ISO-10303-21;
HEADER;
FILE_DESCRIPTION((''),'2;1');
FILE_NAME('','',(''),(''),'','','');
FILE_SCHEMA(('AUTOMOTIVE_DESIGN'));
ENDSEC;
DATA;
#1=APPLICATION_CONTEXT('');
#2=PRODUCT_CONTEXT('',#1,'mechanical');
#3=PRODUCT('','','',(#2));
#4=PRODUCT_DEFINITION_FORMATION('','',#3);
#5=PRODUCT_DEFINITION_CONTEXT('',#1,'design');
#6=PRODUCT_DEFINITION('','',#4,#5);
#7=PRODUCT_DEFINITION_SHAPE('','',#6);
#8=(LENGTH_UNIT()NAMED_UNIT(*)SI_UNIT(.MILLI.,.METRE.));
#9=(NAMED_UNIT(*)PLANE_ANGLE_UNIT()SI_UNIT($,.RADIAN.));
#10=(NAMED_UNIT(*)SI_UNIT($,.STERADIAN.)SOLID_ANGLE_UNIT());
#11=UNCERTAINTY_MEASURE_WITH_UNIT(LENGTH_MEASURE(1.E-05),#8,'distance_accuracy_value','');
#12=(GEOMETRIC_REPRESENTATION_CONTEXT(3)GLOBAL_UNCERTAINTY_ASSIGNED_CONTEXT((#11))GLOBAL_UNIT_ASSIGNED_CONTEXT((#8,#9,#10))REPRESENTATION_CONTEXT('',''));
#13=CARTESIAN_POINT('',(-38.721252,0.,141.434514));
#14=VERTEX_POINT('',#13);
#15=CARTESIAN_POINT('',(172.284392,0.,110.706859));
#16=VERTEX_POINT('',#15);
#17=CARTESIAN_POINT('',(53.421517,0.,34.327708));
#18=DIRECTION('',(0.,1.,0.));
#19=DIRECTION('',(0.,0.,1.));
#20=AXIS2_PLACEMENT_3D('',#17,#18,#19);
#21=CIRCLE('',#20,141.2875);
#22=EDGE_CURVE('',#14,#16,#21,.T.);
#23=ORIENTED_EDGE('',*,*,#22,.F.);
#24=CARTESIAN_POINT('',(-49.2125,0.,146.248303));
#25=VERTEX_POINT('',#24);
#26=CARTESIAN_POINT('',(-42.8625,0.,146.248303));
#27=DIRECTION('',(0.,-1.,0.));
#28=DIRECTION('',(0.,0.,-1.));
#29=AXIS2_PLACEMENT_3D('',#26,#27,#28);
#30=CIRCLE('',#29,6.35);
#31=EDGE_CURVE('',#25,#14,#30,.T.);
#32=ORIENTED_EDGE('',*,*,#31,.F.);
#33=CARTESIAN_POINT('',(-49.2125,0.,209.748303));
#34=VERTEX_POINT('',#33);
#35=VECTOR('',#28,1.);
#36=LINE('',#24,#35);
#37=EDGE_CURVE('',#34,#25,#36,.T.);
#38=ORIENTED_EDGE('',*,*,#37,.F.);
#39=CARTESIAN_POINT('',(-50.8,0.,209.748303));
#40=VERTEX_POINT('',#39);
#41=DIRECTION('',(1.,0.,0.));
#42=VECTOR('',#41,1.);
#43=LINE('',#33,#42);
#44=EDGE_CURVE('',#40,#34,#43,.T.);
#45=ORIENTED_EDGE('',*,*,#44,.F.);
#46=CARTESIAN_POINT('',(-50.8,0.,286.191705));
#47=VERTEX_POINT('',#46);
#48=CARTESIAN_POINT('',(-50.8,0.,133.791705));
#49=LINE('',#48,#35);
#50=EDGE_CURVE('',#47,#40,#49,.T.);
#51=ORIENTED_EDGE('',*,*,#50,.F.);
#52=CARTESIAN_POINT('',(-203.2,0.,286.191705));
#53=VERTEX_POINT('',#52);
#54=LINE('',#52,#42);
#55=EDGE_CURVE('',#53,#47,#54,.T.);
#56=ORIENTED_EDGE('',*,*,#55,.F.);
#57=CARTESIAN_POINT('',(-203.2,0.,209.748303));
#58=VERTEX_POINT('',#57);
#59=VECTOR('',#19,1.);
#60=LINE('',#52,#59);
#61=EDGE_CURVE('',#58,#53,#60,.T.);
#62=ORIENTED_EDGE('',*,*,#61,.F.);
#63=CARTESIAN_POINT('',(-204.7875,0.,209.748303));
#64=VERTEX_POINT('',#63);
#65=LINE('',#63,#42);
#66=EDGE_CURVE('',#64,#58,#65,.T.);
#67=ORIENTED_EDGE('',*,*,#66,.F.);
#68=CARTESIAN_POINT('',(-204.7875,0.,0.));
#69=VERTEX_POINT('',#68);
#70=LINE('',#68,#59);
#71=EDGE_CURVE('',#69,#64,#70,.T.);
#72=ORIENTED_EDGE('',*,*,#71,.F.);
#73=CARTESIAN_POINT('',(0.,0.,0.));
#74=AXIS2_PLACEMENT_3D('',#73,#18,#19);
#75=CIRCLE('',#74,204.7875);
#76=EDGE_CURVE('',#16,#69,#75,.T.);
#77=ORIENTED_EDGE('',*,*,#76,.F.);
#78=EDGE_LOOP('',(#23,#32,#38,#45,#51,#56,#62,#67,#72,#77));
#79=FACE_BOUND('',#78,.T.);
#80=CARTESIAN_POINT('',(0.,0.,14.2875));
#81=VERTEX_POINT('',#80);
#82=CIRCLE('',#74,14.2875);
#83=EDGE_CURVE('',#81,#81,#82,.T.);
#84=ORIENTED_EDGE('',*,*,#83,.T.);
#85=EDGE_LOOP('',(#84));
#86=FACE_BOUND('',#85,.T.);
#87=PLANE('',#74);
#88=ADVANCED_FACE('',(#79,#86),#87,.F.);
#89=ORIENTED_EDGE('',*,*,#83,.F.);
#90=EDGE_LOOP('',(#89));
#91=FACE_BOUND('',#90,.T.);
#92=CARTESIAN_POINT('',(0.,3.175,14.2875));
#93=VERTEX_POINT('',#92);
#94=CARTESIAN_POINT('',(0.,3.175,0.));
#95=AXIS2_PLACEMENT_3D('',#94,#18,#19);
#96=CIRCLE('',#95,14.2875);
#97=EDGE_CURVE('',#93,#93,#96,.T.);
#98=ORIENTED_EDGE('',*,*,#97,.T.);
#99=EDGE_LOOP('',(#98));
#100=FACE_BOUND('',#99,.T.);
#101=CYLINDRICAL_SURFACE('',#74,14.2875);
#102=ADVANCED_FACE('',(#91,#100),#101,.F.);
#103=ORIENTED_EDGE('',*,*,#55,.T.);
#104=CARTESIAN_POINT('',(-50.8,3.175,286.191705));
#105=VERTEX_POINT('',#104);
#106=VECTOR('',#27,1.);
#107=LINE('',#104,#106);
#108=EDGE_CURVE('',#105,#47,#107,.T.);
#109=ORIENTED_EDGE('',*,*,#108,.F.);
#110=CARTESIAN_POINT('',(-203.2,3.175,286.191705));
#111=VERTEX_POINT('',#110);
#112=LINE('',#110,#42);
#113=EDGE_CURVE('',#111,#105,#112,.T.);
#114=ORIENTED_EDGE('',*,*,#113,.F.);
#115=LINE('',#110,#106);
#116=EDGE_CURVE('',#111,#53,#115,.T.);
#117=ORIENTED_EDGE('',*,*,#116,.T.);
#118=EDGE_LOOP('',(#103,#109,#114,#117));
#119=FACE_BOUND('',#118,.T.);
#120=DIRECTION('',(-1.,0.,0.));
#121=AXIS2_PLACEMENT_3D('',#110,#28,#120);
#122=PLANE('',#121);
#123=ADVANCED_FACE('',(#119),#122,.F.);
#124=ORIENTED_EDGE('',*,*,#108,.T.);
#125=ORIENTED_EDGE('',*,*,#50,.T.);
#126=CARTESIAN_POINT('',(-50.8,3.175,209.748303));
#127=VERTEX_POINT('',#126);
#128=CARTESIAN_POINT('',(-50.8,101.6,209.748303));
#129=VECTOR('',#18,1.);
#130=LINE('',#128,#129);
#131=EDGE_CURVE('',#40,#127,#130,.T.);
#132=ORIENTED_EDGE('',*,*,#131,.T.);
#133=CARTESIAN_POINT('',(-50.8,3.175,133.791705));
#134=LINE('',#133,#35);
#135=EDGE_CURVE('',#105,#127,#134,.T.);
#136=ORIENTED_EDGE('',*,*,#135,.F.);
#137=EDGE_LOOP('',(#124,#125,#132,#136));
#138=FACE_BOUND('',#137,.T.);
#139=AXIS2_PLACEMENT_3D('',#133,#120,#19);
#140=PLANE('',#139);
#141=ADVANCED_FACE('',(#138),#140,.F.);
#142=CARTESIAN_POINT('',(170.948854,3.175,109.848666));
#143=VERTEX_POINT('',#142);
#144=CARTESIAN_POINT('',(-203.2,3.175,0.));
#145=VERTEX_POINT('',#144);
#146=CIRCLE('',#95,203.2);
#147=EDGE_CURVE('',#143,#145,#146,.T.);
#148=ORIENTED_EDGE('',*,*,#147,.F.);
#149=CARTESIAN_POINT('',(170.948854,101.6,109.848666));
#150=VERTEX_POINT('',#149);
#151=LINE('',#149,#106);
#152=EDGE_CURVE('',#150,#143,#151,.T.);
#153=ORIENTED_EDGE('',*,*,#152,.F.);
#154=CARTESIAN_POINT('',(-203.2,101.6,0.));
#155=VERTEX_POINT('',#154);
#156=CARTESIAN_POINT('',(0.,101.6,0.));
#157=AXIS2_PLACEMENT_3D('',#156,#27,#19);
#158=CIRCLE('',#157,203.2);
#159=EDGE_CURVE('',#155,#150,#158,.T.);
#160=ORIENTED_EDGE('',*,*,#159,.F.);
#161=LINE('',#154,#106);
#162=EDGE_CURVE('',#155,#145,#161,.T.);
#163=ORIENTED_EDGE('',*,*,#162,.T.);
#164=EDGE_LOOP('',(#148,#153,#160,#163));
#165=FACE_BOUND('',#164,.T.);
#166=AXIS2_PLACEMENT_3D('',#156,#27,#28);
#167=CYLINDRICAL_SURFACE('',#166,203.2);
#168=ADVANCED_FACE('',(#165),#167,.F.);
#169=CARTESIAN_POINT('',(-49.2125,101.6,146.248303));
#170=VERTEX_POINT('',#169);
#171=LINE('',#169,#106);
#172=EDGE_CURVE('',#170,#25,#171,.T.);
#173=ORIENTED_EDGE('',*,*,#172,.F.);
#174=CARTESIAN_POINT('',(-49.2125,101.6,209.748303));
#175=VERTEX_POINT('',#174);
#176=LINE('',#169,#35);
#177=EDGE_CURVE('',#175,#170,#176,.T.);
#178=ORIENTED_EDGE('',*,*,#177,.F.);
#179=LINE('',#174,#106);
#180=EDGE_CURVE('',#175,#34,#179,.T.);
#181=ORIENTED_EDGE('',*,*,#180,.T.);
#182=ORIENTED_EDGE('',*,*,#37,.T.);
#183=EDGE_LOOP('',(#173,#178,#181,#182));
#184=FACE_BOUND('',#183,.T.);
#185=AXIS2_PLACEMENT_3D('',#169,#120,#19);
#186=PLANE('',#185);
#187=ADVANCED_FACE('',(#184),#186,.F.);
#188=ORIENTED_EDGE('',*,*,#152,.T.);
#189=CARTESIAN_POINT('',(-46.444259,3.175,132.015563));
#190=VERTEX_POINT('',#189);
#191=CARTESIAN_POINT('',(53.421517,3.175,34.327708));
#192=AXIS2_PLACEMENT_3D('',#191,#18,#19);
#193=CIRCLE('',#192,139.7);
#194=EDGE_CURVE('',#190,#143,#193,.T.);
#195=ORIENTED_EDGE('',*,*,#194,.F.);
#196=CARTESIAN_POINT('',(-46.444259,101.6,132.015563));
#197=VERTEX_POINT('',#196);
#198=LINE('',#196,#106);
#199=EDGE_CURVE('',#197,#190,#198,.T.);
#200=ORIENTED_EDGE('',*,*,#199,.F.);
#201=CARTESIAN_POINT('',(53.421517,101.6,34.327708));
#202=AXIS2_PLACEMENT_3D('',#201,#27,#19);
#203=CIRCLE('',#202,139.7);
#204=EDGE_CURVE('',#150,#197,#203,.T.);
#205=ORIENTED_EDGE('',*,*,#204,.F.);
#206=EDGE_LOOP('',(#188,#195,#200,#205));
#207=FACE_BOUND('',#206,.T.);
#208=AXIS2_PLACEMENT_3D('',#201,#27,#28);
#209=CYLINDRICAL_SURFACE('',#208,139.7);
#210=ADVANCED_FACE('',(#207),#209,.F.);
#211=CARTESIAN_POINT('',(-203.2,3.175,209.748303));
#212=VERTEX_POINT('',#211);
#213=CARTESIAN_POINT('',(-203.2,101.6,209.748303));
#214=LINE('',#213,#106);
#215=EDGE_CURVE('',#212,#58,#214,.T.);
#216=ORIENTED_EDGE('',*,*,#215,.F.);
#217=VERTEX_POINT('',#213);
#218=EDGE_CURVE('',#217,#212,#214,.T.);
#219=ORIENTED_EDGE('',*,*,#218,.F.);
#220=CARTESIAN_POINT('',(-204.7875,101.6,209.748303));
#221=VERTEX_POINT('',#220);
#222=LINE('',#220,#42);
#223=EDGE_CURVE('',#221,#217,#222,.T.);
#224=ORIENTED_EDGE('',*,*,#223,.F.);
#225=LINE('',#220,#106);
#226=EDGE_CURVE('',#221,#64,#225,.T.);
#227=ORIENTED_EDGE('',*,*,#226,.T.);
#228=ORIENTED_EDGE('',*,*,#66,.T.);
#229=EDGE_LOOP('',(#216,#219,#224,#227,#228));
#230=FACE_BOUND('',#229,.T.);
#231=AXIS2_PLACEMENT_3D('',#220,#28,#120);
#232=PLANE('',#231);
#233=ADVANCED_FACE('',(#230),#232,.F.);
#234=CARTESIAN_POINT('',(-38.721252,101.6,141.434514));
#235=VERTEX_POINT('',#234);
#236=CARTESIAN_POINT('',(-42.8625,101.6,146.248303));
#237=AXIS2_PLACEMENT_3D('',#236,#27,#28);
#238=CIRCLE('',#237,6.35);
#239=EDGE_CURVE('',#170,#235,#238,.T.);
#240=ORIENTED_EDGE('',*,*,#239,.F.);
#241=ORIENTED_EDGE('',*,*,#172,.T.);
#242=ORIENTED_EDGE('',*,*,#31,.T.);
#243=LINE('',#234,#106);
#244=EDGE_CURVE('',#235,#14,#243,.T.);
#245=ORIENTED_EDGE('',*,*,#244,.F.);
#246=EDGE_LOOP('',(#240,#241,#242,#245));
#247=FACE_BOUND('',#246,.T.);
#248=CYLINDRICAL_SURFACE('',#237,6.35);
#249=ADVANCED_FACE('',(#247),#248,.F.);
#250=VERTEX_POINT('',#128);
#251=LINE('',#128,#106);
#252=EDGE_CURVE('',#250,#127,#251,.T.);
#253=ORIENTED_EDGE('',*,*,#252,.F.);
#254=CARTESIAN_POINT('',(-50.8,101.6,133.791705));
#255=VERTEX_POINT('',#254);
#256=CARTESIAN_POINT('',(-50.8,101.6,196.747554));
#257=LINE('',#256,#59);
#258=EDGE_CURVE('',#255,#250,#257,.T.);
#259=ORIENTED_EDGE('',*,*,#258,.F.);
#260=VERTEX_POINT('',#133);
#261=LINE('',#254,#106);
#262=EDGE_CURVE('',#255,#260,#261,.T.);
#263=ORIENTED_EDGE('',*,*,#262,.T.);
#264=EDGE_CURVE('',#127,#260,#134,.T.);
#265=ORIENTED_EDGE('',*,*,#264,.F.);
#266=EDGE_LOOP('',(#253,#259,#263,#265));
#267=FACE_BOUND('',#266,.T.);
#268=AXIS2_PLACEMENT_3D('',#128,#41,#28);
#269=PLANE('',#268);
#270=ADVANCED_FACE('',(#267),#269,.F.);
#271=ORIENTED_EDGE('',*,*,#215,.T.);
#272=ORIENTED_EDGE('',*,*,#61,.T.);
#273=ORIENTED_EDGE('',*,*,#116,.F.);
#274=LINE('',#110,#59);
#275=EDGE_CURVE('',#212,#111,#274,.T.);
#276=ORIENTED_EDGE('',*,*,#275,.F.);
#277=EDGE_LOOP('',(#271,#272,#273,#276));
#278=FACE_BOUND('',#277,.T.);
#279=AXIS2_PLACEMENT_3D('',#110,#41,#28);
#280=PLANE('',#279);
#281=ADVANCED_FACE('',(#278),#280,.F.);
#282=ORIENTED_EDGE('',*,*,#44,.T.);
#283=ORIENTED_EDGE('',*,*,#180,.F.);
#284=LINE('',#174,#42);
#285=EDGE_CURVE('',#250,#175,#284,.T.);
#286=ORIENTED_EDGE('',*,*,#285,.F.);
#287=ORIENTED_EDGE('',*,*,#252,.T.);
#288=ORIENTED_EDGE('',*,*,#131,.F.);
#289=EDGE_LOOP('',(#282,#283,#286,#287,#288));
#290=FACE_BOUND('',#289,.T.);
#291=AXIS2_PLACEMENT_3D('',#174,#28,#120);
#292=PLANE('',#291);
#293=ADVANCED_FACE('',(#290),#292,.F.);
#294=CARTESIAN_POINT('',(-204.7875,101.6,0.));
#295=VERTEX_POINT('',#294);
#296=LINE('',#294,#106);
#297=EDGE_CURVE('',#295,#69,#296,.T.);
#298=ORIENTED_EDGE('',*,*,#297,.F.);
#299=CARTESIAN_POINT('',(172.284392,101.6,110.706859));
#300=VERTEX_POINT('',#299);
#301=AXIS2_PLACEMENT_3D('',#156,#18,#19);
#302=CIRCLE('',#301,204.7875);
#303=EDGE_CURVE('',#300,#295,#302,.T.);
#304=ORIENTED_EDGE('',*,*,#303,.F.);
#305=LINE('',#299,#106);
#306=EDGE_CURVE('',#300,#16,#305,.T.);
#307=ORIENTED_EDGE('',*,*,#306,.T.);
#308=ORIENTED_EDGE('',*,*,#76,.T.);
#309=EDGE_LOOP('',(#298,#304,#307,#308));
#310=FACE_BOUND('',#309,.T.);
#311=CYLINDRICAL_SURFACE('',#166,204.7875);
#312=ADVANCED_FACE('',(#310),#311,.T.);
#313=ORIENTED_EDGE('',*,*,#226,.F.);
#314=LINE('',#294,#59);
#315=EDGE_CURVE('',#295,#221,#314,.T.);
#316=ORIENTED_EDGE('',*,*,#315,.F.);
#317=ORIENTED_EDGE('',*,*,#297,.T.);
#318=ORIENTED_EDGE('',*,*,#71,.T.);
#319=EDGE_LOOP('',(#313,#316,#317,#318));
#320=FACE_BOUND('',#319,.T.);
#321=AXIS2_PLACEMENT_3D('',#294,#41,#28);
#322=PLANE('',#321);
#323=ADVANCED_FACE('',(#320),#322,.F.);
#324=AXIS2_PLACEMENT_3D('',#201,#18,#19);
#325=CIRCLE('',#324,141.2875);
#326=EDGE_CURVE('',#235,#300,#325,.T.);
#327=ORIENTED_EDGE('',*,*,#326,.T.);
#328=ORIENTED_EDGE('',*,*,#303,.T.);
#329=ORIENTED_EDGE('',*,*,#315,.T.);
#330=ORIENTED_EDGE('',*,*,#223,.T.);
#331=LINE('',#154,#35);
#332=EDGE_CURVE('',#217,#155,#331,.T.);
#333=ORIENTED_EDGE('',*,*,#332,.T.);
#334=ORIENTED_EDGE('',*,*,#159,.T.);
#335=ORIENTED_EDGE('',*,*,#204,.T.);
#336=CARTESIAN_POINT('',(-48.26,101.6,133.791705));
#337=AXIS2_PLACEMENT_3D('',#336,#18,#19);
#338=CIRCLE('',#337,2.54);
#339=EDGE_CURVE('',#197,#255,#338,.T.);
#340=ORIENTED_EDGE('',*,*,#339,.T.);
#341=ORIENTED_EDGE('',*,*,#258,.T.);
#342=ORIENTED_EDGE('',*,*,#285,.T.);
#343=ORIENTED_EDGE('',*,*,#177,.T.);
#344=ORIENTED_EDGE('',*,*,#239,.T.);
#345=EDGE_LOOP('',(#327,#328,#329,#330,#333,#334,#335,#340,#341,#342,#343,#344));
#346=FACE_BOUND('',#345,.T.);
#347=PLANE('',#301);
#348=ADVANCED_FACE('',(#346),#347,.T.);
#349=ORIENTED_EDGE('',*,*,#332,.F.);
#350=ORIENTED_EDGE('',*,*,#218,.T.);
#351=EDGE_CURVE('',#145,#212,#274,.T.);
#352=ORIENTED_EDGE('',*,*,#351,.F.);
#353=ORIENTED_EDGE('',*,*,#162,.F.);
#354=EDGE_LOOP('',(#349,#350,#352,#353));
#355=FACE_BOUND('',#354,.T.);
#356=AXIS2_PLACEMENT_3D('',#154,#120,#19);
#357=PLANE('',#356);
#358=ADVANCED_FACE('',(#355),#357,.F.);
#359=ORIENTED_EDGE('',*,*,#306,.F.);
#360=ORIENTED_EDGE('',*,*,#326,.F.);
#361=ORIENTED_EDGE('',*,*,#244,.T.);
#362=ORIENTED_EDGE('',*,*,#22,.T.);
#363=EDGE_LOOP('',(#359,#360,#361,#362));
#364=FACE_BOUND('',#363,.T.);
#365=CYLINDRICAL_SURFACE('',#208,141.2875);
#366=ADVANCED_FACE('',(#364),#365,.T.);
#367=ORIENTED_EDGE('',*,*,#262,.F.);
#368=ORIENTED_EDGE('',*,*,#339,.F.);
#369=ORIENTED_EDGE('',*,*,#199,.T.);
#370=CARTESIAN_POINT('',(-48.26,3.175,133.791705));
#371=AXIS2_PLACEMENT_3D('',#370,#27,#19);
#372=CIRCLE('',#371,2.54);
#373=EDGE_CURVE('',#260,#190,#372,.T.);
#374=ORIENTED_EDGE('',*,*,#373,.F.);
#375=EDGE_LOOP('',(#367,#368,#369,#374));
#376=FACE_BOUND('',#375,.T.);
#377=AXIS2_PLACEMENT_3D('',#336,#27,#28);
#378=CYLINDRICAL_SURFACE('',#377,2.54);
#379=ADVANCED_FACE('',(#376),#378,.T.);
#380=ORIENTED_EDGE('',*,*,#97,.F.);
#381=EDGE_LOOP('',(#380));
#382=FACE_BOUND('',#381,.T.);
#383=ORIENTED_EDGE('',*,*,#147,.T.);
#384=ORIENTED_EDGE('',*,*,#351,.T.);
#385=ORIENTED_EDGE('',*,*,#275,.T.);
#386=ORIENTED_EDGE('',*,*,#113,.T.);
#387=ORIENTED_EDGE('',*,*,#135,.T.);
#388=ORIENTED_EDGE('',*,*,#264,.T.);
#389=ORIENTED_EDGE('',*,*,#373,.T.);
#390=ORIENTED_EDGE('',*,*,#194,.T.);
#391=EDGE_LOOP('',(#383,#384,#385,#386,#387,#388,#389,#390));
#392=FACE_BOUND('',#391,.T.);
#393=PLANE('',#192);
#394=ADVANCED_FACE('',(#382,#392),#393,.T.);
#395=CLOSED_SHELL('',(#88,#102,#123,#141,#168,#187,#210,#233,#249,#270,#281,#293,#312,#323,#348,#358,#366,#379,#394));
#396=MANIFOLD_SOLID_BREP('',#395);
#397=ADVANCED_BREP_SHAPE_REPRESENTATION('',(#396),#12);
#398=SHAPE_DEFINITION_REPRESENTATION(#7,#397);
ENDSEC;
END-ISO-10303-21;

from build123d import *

# Parameters (mm, degrees)
BOSS_EXTRUDE1_DEPTH = 101.6
BOSS_EXTRUDE2_DEPTH = 3.175
SKETCH3_R           = 14.2875
CUT_EXTRUDE1_DEPTH  = 4.175


with BuildPart() as part:
    # Sketch1 → Boss-Extrude1 (new body)
    with BuildSketch(Plane(origin=(0, 0, 0), x_dir=(1, 0, 0), z_dir=(0, 1, 0))):
        with BuildLine():
            Line((-203.2, 0), (-203.2, -209.748302875))
            Line((-203.2, -209.748302875), (-204.7875, -209.748302875))
            Line((-204.7875, -209.748302875), (-204.7875, 0))
            ThreePointArc((-204.7875, 0), (57.689818519, 196.493778516), (172.284391551, -110.706858794))
            ThreePointArc((172.284391551, -110.706858794), (73.781728286, -174.14050958), (-38.721251967, -141.434513854))
            ThreePointArc((-38.721251967, -141.434513854), (-45.510666818, -140.476846169), (-49.2125, -146.248302875))
            Line((-49.2125, -146.248302875), (-49.2125, -209.748302875))
            Line((-49.2125, -209.748302875), (-50.8, -209.748302875))
            Line((-50.8, -209.748302875), (-50.8, -196.747553987))
            Line((-50.8, -196.747553987), (-50.8, -133.791705405))
            ThreePointArc((-50.8, -133.791705405), (-49.219066452, -131.439729313), (-46.444258629, -132.015562597))
            ThreePointArc((-46.444258629, -132.015562597), (67.592808645, -173.307075278), (170.948853632, -109.848666091))
            ThreePointArc((170.948853632, -109.848666091), (57.242610623, 194.970570931), (-203.2, 0))
        make_face()
    extrude(amount=BOSS_EXTRUDE1_DEPTH)

    # Sketch2 → Boss-Extrude2 (add)
    with BuildSketch(Plane(origin=(0, 0, 0), x_dir=(1, 0, 0), z_dir=(0, 1, 0))):
        with BuildLine():
            Line((-50.8, -133.791705405), (-50.8, -286.191705405))
            Line((-50.8, -286.191705405), (-203.2, -286.191705405))
            Line((-203.2, -286.191705405), (-203.2, 0))
            ThreePointArc((-203.2, 0), (57.242610623, 194.970570931), (170.948853632, -109.848666091))
            ThreePointArc((170.948853632, -109.848666091), (67.592808645, -173.307075278), (-46.444258629, -132.015562597))
            ThreePointArc((-46.444258629, -132.015562597), (-49.219066452, -131.439729313), (-50.8, -133.791705405))
        make_face()
    extrude(amount=BOSS_EXTRUDE2_DEPTH)

    # Sketch3 → Cut-Extrude1 (cut, through all)
    with BuildSketch(Plane(origin=(0, 3.175, 0), x_dir=(1, 0, 0), z_dir=(0, 1, 0))):
        Circle(SKETCH3_R)
    extrude(amount=-CUT_EXTRUDE1_DEPTH, mode=Mode.SUBTRACT)


solid = part.part
